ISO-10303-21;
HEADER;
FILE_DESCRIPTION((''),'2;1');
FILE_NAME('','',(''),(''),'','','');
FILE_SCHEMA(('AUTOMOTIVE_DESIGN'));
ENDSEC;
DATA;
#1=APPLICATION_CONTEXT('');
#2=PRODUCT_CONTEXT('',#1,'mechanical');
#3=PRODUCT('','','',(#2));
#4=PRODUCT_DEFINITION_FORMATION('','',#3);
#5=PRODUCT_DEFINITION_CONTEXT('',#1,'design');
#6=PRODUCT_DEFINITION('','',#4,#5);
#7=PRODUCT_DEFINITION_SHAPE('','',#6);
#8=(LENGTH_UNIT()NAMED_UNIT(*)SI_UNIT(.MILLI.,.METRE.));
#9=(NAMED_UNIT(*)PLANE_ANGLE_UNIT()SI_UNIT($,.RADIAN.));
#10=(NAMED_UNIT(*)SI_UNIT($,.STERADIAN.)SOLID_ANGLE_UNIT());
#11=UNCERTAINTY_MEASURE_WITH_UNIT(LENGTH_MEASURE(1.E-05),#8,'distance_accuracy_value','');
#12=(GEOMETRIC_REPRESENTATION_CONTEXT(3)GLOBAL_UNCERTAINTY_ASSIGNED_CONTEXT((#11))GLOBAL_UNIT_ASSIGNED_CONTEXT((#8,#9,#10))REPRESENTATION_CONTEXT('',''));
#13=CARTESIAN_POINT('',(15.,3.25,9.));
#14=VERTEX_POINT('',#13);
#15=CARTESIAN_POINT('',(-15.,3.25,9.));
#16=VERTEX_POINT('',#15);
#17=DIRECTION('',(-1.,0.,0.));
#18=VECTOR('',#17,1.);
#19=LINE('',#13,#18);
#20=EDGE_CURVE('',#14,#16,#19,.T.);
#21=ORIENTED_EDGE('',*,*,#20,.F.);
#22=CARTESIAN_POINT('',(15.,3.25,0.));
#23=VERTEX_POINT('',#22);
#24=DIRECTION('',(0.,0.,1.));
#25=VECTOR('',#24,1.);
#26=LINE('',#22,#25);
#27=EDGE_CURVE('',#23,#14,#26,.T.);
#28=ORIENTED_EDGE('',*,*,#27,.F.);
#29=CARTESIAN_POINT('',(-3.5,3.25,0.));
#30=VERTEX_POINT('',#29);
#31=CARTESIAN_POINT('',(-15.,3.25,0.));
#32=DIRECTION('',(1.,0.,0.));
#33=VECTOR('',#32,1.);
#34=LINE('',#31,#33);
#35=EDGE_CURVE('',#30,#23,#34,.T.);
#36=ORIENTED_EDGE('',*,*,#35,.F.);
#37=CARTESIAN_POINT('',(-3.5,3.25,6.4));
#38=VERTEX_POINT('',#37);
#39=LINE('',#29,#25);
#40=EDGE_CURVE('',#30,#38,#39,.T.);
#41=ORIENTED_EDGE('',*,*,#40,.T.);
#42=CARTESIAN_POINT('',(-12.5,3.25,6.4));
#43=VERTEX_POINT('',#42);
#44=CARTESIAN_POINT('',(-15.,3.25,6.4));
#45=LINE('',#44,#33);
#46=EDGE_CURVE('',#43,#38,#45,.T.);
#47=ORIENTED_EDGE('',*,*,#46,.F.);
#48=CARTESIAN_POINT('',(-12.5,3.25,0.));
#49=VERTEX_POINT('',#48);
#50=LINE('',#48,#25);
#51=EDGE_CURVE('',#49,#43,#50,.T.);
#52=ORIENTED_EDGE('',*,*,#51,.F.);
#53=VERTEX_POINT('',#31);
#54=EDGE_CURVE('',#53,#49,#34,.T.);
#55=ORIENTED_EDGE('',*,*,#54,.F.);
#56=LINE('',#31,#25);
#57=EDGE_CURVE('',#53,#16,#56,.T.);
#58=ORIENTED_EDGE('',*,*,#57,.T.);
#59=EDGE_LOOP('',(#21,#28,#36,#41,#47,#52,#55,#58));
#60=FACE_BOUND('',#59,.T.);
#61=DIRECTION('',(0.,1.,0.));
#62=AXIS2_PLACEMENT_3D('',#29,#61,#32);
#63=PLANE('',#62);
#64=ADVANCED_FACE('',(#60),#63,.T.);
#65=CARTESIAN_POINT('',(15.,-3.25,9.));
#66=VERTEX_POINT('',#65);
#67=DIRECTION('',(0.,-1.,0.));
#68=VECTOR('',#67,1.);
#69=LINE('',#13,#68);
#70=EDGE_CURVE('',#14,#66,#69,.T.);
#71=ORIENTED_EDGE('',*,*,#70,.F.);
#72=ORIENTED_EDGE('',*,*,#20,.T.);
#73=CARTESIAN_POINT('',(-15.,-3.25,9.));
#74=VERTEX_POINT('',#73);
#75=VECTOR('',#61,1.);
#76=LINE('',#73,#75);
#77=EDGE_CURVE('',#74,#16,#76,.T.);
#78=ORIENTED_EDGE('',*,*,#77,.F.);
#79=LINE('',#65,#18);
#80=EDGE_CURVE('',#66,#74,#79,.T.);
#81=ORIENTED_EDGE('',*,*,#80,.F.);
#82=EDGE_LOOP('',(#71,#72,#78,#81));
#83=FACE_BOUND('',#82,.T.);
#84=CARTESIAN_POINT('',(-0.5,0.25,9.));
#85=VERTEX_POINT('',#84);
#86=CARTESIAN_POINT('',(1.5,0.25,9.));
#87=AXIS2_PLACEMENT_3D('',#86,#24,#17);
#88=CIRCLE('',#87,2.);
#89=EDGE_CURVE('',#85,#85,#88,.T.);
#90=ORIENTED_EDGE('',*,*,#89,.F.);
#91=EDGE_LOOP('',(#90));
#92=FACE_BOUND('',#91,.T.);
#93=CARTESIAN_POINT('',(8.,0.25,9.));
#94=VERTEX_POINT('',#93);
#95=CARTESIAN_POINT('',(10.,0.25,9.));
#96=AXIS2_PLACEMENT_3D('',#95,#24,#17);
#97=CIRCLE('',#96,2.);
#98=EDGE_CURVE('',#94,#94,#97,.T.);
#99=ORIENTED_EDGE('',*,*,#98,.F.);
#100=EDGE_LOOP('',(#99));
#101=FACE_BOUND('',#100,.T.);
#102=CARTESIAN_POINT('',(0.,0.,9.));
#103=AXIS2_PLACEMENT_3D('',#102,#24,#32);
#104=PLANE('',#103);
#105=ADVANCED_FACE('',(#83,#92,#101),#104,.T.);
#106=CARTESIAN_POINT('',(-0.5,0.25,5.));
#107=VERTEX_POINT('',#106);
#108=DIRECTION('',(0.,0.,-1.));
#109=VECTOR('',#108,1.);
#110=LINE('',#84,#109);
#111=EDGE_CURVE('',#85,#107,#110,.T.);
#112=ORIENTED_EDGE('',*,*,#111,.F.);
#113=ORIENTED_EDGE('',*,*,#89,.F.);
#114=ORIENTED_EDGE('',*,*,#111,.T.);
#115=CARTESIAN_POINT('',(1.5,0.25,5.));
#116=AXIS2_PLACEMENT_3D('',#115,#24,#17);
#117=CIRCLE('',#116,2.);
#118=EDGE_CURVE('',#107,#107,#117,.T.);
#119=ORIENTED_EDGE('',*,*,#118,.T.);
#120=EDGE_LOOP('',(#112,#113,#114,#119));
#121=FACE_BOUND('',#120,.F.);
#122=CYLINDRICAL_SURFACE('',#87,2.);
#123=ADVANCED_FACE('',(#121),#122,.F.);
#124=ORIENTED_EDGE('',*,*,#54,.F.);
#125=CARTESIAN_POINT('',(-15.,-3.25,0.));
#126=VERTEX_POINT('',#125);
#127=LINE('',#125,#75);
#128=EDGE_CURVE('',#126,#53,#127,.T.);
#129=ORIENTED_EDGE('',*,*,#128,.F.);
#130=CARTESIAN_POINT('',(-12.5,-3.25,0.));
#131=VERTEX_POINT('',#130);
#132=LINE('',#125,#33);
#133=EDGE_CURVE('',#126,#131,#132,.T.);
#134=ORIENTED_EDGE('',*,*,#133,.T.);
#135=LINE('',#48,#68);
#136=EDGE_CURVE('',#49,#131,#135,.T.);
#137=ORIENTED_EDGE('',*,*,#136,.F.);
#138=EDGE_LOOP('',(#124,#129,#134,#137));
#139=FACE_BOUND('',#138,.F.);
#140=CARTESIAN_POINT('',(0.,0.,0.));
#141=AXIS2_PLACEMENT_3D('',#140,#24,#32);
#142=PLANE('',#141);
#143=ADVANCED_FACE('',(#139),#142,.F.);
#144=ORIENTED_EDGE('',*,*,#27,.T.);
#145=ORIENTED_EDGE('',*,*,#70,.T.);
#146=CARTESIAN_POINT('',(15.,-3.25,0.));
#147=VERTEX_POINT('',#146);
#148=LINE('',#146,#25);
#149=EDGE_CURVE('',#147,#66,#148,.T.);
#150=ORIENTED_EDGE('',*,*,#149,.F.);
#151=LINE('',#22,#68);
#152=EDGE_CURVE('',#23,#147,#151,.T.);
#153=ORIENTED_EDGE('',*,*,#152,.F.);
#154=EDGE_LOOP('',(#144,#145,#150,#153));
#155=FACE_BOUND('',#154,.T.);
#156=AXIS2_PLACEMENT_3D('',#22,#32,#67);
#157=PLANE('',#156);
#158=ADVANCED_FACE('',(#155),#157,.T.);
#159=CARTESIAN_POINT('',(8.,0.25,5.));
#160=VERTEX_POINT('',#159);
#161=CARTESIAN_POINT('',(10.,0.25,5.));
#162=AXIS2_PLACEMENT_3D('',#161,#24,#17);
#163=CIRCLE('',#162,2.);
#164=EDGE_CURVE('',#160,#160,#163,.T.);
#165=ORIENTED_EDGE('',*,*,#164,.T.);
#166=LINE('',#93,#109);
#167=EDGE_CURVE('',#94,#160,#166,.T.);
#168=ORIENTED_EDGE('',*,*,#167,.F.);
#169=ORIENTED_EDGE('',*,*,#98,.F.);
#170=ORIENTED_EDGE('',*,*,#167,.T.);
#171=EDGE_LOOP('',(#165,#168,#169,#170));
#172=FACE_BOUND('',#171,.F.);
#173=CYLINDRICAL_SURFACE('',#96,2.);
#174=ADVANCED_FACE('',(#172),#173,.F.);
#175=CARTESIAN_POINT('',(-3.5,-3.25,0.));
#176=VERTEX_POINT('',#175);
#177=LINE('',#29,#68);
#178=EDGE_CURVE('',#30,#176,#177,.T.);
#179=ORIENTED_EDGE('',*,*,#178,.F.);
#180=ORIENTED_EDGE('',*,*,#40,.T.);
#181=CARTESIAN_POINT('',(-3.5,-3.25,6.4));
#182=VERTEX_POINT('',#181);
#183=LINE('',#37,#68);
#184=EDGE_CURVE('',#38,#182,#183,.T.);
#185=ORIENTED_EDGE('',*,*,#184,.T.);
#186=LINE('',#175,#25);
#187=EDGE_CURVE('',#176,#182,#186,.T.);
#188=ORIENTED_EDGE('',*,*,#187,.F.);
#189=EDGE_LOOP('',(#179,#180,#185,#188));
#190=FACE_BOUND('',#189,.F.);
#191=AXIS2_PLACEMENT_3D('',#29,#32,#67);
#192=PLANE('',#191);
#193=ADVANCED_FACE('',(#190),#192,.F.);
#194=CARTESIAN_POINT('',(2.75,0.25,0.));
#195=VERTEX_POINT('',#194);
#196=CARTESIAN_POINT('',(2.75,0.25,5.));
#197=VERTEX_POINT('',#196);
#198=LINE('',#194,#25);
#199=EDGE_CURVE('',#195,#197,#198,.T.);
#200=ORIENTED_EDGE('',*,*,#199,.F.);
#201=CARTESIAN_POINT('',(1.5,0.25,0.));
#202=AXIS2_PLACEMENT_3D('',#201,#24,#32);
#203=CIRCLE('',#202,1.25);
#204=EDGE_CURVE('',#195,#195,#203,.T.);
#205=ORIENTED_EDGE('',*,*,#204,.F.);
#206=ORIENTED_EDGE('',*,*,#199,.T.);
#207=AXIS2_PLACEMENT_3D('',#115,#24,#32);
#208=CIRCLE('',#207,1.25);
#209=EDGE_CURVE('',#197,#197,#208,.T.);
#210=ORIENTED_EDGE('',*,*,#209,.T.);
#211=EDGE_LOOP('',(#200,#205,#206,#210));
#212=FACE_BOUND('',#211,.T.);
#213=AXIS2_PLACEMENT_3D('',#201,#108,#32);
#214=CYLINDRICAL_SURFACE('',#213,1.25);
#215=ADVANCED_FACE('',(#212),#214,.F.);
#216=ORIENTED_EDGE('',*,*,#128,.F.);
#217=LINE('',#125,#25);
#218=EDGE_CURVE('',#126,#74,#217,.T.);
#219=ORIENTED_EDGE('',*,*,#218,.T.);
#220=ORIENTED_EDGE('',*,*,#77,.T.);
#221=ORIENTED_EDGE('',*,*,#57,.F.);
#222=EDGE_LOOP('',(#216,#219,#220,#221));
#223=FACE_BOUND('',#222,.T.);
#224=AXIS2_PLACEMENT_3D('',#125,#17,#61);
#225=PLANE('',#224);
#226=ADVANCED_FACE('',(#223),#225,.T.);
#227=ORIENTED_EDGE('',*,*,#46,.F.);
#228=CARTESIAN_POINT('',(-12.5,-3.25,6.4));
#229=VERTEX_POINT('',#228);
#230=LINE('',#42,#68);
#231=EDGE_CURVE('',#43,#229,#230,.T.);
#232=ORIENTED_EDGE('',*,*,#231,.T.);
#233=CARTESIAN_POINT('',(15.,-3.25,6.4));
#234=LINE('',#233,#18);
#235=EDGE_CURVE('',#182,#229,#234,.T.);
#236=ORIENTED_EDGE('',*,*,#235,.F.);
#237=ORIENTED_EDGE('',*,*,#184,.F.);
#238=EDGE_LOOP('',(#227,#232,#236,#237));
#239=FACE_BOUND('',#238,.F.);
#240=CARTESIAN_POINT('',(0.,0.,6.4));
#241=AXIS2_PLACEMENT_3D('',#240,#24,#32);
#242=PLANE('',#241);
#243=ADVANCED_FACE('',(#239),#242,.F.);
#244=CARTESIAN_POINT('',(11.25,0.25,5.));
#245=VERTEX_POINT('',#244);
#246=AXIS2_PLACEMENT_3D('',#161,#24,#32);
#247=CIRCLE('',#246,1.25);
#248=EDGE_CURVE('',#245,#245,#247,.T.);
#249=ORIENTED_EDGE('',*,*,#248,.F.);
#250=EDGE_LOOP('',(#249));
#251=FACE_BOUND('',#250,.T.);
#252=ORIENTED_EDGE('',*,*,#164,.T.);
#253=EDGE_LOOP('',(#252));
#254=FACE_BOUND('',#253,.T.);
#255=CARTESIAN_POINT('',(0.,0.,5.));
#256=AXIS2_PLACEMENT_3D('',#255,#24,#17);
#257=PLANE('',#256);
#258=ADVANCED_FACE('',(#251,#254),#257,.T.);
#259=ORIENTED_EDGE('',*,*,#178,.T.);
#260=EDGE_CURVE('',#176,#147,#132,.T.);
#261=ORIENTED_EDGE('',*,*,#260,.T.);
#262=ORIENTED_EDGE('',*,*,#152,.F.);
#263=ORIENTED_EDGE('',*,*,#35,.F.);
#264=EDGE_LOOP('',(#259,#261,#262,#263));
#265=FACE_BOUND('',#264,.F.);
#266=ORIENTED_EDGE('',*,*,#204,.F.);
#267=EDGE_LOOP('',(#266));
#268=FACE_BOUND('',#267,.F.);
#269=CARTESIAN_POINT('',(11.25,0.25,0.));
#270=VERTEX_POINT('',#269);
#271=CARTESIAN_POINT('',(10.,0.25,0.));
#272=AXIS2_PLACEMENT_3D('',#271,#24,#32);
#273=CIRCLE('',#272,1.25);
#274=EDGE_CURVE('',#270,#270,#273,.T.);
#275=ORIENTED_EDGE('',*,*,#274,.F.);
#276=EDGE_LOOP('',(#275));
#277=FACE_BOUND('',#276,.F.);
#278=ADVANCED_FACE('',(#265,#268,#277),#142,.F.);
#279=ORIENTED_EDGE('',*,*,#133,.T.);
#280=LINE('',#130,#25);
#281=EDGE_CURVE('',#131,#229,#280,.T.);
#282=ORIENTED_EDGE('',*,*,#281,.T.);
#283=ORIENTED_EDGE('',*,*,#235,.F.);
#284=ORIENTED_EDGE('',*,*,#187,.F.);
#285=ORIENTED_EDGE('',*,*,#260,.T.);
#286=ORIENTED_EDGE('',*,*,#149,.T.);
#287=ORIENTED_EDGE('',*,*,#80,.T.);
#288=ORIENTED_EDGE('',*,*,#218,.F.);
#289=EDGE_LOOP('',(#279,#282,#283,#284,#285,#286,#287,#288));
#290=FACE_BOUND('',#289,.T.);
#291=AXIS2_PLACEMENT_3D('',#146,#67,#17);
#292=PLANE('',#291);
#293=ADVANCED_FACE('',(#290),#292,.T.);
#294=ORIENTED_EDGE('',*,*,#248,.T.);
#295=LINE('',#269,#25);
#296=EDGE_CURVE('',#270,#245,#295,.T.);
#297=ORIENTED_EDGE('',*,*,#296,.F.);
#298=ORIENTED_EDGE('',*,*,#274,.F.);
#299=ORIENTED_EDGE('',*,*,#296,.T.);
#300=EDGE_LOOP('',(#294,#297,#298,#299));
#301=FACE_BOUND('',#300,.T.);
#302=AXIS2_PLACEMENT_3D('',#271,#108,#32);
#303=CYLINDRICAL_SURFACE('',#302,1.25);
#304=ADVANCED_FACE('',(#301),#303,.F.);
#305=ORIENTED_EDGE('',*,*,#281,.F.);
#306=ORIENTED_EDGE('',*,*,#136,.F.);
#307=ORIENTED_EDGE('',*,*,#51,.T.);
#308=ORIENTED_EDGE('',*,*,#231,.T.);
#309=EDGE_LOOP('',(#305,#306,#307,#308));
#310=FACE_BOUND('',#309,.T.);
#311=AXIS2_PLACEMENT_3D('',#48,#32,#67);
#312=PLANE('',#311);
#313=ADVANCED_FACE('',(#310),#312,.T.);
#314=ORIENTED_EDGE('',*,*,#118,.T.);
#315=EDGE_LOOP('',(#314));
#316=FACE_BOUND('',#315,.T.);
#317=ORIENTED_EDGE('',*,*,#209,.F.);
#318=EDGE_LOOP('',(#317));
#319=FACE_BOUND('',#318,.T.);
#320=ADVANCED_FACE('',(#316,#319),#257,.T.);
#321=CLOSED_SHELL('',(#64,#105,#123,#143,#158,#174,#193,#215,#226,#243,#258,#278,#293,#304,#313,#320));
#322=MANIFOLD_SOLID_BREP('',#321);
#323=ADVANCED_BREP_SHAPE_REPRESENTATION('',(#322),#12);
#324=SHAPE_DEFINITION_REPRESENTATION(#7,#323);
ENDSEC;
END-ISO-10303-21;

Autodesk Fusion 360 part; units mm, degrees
sketch "Skizze1" plane through (0, 0, 0) normal (0, 0, 1) x (1, 0, 0)
  line L0 (15, -3.25) -> (-15, -3.25)
  line L1 (-15, -3.25) -> (-15, 3.25)
  line L2 (-15, 3.25) -> (15, 3.25)
  line L3 (15, 3.25) -> (15, -3.25)
  line L4 (15, -3.25) -> (-15, 3.25) construction
  line L5 (-15, -3.25) -> (15, 3.25) construction
  line L6 (-21.7851, 0.25) -> (21, 0.25) construction
  line L7 (10, 7.6042) -> (10, -9) construction
  line L8 (1.5, 8) -> (1.5, -9) construction
  line L9 (-3.5, 3.25) -> (-3.5, -3.25)
  line L10 (-12.5, 3.25) -> (-12.5, -3.25)
  circle A0 centre (10, 0.25) radius 1.25
  circle A1 centre (1.5, 0.25) radius 1.25
  dimension "d1" = 6.5
  dimension "d2" = 30
  dimension "d3" = 3
  dimension "d4" = 5
  dimension "d5" = 8.5
  dimension "d6" = 9
  dimension "d7" = 2.5
  dimension "d8" = 2.5
  dimension "d9" = 2.5
extrude "Extrusion1" add sketch "Skizze1" along normal blind 9
extrude "Extrusion2" cut sketch "Skizze1" along normal blind 6.4 contours L0 L2 L9 L10
sketch "Skizze2" plane through (0, 0, 9) normal (0, 0, 1) x (-1, 0, 0)
  circle A0 centre (-10, -0.25) radius 1.25
  circle A1 centre (-1.5, -0.25) radius 1.25
  line L0 (-15, -3.25) -> (15, -3.25)
  line L1 (15, -3.25) -> (15, 3.25)
  line L2 (15, 3.25) -> (-15, 3.25)
  line L3 (-15, 3.25) -> (-15, -3.25)
  line L4 (15.9329, -0.25) -> (-19.3468, -0.25) construction
  line L5 (-10, -6.1266) -> (-10, 7.3493) construction
  line L6 (-1.5, 6.35) -> (-1.5, -4.2794) construction
  circle A2 centre (-1.5, -0.25) radius 2
  circle A3 centre (-10, -0.25) radius 2
  dimension "d14" = 0.25
  dimension "d15" = 10
  dimension "d16" = 8.5
  dimension "d17" = 4
  dimension "d18" = 4
extrude "Extrusion3" cut sketch "Skizze2" against normal blind 4 contours A2
extrude "Extrusion4" cut sketch "Skizze2" against normal blind 4 contours A3
